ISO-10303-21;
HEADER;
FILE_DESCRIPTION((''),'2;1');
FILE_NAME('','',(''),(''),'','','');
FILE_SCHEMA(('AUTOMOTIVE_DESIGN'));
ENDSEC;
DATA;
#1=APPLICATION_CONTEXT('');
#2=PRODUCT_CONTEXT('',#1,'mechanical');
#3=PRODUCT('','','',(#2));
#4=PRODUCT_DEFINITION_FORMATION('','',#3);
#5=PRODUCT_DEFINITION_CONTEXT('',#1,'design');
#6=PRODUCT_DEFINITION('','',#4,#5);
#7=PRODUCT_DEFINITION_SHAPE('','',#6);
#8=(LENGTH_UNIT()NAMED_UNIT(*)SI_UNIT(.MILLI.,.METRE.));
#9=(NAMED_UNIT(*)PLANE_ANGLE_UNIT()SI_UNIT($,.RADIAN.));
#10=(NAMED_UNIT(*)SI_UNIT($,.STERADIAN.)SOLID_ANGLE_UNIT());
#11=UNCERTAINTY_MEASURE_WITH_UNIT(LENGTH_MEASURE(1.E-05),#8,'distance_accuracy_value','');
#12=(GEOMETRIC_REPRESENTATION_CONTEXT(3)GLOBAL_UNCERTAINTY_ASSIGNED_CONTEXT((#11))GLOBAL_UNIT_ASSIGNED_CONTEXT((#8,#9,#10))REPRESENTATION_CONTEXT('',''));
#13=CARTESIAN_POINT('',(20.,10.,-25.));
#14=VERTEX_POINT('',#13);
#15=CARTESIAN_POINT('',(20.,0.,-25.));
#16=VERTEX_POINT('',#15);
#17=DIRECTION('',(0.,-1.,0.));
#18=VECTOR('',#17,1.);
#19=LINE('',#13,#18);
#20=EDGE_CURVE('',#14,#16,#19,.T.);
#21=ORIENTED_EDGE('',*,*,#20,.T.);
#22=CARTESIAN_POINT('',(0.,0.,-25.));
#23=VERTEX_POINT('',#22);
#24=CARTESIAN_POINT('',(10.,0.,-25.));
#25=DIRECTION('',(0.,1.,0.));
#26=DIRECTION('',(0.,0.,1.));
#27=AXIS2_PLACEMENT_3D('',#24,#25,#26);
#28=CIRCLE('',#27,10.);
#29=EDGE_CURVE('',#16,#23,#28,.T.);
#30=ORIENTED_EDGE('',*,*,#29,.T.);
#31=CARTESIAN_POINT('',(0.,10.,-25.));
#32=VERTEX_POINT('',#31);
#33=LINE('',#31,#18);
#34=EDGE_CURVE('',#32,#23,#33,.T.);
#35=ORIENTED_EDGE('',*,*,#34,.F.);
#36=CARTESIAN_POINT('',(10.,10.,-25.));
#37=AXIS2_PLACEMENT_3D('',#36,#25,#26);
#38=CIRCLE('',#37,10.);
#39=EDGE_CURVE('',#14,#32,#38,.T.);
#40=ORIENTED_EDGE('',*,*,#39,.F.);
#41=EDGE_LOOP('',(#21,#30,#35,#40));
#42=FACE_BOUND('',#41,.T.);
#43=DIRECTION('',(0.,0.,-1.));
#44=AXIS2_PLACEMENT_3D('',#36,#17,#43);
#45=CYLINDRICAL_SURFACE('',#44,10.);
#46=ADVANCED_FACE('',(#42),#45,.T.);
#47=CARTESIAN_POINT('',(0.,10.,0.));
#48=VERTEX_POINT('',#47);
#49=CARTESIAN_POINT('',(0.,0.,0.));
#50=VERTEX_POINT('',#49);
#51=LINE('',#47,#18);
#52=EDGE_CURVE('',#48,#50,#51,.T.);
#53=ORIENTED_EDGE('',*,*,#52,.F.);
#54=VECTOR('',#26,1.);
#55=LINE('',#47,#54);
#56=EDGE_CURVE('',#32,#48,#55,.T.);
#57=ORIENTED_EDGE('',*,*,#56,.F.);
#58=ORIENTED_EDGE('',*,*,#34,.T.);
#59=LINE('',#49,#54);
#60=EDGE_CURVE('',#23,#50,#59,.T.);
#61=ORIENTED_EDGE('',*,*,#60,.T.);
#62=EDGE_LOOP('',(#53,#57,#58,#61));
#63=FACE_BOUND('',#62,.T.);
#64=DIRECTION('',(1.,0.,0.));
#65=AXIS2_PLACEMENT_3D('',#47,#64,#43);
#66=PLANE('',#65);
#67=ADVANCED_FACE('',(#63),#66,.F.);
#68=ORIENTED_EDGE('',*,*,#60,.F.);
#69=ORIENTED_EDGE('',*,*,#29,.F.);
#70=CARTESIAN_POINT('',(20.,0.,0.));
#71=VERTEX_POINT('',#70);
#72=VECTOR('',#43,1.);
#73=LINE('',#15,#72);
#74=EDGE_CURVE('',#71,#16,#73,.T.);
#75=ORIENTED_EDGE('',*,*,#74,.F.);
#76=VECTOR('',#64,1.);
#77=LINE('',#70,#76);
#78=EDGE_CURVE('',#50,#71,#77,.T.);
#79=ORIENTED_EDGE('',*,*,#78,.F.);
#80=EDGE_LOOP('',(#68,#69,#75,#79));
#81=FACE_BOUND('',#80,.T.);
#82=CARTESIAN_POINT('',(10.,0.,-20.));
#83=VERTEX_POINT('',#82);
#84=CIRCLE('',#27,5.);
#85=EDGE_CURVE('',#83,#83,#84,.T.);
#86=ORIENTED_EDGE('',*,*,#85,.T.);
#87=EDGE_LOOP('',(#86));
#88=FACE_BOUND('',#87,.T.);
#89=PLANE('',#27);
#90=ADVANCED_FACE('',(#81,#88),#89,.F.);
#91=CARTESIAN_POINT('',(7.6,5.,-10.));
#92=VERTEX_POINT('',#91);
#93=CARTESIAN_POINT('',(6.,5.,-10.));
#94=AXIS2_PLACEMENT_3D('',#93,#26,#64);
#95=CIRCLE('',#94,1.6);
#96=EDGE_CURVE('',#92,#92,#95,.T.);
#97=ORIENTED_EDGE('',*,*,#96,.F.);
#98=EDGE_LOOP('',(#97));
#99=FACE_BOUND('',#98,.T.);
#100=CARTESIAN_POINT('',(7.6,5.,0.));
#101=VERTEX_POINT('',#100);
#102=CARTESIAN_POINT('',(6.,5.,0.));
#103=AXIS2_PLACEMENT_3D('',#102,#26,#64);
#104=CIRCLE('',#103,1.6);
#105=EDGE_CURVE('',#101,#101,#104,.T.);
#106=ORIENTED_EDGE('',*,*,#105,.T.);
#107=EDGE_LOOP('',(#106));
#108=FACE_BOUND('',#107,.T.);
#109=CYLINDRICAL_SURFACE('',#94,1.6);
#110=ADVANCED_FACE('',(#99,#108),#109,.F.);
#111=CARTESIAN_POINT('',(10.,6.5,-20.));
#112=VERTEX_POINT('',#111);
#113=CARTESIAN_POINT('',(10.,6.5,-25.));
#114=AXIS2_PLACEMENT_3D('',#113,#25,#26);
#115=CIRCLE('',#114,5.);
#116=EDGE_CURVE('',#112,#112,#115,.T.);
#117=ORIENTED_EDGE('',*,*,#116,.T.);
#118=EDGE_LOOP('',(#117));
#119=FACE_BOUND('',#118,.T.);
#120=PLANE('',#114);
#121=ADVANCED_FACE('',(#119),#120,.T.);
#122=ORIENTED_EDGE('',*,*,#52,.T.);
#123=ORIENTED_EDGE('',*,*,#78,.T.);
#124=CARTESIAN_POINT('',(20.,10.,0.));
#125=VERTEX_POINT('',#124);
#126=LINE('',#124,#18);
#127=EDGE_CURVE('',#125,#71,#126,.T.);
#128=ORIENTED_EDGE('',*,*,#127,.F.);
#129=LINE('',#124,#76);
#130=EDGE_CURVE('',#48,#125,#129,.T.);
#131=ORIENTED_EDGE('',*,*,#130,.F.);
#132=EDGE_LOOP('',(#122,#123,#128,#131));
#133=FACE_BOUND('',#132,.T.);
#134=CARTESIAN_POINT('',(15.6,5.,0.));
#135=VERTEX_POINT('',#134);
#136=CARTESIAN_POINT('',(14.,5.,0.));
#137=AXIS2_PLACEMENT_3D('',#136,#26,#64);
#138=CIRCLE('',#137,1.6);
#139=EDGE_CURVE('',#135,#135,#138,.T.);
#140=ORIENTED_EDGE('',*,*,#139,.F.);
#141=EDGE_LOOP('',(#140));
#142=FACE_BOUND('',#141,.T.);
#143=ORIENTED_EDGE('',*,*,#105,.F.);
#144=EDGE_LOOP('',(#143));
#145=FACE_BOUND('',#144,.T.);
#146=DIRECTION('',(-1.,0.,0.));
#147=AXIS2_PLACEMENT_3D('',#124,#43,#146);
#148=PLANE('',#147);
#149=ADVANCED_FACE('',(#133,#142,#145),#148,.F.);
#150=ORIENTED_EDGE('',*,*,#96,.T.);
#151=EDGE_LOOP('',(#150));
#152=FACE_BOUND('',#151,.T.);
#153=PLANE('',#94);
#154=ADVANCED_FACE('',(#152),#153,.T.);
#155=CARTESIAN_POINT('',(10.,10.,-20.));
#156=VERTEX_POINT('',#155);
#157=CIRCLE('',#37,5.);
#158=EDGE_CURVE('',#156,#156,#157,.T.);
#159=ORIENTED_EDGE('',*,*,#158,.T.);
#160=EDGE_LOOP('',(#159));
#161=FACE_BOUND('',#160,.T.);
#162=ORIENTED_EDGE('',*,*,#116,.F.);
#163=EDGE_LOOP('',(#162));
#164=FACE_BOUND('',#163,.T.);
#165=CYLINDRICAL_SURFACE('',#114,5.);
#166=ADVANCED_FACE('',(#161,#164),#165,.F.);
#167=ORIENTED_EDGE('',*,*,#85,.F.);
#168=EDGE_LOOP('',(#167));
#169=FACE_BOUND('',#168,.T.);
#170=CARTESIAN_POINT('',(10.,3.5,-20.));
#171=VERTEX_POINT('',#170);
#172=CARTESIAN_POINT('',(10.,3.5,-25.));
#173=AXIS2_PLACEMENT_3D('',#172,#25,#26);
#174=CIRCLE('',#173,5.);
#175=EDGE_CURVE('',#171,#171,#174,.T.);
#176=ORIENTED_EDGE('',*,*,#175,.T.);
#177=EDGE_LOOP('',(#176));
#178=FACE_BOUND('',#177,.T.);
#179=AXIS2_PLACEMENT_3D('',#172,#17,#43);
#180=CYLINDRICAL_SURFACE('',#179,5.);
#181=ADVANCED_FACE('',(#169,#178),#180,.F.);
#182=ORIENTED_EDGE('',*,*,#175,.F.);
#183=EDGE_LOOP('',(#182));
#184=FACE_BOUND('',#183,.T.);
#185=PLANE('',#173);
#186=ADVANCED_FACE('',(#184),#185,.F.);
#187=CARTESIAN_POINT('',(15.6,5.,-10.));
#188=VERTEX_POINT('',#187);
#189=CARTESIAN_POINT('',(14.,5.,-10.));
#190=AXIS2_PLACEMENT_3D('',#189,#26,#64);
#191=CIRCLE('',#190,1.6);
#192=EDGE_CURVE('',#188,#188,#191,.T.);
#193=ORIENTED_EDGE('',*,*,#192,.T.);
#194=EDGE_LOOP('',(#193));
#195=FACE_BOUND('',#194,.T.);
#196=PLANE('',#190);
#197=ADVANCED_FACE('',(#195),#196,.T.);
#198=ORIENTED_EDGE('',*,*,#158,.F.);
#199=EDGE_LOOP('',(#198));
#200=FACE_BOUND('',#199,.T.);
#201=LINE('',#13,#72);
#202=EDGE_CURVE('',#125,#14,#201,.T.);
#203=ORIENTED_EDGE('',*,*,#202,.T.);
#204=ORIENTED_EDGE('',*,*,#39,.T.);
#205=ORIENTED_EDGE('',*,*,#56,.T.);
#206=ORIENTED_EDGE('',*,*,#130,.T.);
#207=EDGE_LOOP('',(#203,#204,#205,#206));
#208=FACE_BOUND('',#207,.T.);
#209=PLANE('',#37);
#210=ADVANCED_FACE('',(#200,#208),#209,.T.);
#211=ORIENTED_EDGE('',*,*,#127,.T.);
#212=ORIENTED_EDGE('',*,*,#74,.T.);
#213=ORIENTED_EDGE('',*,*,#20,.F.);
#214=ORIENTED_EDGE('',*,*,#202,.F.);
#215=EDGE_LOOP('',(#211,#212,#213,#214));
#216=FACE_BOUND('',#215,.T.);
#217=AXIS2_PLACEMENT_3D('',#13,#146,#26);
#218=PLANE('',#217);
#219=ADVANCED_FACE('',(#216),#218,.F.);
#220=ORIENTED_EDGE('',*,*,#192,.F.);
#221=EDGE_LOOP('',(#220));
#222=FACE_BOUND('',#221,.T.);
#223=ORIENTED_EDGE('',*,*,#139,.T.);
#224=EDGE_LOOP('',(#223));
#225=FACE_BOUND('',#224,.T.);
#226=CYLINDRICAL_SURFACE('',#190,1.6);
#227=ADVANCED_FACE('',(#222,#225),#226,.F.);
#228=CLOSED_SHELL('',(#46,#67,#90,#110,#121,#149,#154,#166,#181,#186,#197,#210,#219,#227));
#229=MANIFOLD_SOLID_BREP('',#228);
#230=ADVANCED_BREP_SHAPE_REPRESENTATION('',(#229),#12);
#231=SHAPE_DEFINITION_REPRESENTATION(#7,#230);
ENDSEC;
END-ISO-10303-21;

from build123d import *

# Parameters (mm, degrees)
EXTRUDE_1_DEPTH     = 10
SKETCH_2_R          = 5
CUT_EXTRUDE_1_DEPTH = 3.5
CUT_EXTRUDE_START   = -3.5
SKETCH_3_R          = 5
CUT_EXTRUDE_2_DEPTH = 3.5
SKETCH_4_R          = 1.6
CUT_EXTRUDE_3_DEPTH = 10


with BuildPart() as part:
    # 草图1 → 凸台-拉伸1 (new body)
    with BuildSketch(Plane(origin=(0, 0, 0), x_dir=(1, 0, 0), z_dir=(0, 1, 0))):
        with BuildLine():
            Line((0, 0), (0, 25))
            ThreePointArc((0, 25), (10, 35), (20, 25))
            Line((20, 25), (20, 0))
            Line((20, 0), (0, 0))
        make_face()
    extrude(amount=EXTRUDE_1_DEPTH)

    # 草图2 → 切除-拉伸1 (cut)
    with BuildSketch(Plane(origin=(0, 0, 0), x_dir=(1, 0, 0), z_dir=(0, 1, 0))):
        with Locations(Location((10, 25, 0), (0, 0, 270))):
            Circle(SKETCH_2_R)
    extrude(amount=CUT_EXTRUDE_1_DEPTH, mode=Mode.SUBTRACT)

    # 草图3 → 切除-拉伸2 (cut)
    with BuildSketch(Plane(origin=(0, 10, 0), x_dir=(1, 0, 0), z_dir=(0, 1, 0)).offset(CUT_EXTRUDE_START)):
        with Locations(Location((10, 25, 0), (0, 0, 270))):
            Circle(SKETCH_3_R)
    extrude(amount=CUT_EXTRUDE_2_DEPTH, mode=Mode.SUBTRACT)

    # 草图4 → 切除-拉伸3 (cut)
    with BuildSketch(Plane.XY):
        with Locations((6, 5)):
            Circle(SKETCH_4_R)
        with Locations((14, 5)):
            Circle(SKETCH_4_R)
    extrude(amount=-CUT_EXTRUDE_3_DEPTH, mode=Mode.SUBTRACT)


solid = part.part
